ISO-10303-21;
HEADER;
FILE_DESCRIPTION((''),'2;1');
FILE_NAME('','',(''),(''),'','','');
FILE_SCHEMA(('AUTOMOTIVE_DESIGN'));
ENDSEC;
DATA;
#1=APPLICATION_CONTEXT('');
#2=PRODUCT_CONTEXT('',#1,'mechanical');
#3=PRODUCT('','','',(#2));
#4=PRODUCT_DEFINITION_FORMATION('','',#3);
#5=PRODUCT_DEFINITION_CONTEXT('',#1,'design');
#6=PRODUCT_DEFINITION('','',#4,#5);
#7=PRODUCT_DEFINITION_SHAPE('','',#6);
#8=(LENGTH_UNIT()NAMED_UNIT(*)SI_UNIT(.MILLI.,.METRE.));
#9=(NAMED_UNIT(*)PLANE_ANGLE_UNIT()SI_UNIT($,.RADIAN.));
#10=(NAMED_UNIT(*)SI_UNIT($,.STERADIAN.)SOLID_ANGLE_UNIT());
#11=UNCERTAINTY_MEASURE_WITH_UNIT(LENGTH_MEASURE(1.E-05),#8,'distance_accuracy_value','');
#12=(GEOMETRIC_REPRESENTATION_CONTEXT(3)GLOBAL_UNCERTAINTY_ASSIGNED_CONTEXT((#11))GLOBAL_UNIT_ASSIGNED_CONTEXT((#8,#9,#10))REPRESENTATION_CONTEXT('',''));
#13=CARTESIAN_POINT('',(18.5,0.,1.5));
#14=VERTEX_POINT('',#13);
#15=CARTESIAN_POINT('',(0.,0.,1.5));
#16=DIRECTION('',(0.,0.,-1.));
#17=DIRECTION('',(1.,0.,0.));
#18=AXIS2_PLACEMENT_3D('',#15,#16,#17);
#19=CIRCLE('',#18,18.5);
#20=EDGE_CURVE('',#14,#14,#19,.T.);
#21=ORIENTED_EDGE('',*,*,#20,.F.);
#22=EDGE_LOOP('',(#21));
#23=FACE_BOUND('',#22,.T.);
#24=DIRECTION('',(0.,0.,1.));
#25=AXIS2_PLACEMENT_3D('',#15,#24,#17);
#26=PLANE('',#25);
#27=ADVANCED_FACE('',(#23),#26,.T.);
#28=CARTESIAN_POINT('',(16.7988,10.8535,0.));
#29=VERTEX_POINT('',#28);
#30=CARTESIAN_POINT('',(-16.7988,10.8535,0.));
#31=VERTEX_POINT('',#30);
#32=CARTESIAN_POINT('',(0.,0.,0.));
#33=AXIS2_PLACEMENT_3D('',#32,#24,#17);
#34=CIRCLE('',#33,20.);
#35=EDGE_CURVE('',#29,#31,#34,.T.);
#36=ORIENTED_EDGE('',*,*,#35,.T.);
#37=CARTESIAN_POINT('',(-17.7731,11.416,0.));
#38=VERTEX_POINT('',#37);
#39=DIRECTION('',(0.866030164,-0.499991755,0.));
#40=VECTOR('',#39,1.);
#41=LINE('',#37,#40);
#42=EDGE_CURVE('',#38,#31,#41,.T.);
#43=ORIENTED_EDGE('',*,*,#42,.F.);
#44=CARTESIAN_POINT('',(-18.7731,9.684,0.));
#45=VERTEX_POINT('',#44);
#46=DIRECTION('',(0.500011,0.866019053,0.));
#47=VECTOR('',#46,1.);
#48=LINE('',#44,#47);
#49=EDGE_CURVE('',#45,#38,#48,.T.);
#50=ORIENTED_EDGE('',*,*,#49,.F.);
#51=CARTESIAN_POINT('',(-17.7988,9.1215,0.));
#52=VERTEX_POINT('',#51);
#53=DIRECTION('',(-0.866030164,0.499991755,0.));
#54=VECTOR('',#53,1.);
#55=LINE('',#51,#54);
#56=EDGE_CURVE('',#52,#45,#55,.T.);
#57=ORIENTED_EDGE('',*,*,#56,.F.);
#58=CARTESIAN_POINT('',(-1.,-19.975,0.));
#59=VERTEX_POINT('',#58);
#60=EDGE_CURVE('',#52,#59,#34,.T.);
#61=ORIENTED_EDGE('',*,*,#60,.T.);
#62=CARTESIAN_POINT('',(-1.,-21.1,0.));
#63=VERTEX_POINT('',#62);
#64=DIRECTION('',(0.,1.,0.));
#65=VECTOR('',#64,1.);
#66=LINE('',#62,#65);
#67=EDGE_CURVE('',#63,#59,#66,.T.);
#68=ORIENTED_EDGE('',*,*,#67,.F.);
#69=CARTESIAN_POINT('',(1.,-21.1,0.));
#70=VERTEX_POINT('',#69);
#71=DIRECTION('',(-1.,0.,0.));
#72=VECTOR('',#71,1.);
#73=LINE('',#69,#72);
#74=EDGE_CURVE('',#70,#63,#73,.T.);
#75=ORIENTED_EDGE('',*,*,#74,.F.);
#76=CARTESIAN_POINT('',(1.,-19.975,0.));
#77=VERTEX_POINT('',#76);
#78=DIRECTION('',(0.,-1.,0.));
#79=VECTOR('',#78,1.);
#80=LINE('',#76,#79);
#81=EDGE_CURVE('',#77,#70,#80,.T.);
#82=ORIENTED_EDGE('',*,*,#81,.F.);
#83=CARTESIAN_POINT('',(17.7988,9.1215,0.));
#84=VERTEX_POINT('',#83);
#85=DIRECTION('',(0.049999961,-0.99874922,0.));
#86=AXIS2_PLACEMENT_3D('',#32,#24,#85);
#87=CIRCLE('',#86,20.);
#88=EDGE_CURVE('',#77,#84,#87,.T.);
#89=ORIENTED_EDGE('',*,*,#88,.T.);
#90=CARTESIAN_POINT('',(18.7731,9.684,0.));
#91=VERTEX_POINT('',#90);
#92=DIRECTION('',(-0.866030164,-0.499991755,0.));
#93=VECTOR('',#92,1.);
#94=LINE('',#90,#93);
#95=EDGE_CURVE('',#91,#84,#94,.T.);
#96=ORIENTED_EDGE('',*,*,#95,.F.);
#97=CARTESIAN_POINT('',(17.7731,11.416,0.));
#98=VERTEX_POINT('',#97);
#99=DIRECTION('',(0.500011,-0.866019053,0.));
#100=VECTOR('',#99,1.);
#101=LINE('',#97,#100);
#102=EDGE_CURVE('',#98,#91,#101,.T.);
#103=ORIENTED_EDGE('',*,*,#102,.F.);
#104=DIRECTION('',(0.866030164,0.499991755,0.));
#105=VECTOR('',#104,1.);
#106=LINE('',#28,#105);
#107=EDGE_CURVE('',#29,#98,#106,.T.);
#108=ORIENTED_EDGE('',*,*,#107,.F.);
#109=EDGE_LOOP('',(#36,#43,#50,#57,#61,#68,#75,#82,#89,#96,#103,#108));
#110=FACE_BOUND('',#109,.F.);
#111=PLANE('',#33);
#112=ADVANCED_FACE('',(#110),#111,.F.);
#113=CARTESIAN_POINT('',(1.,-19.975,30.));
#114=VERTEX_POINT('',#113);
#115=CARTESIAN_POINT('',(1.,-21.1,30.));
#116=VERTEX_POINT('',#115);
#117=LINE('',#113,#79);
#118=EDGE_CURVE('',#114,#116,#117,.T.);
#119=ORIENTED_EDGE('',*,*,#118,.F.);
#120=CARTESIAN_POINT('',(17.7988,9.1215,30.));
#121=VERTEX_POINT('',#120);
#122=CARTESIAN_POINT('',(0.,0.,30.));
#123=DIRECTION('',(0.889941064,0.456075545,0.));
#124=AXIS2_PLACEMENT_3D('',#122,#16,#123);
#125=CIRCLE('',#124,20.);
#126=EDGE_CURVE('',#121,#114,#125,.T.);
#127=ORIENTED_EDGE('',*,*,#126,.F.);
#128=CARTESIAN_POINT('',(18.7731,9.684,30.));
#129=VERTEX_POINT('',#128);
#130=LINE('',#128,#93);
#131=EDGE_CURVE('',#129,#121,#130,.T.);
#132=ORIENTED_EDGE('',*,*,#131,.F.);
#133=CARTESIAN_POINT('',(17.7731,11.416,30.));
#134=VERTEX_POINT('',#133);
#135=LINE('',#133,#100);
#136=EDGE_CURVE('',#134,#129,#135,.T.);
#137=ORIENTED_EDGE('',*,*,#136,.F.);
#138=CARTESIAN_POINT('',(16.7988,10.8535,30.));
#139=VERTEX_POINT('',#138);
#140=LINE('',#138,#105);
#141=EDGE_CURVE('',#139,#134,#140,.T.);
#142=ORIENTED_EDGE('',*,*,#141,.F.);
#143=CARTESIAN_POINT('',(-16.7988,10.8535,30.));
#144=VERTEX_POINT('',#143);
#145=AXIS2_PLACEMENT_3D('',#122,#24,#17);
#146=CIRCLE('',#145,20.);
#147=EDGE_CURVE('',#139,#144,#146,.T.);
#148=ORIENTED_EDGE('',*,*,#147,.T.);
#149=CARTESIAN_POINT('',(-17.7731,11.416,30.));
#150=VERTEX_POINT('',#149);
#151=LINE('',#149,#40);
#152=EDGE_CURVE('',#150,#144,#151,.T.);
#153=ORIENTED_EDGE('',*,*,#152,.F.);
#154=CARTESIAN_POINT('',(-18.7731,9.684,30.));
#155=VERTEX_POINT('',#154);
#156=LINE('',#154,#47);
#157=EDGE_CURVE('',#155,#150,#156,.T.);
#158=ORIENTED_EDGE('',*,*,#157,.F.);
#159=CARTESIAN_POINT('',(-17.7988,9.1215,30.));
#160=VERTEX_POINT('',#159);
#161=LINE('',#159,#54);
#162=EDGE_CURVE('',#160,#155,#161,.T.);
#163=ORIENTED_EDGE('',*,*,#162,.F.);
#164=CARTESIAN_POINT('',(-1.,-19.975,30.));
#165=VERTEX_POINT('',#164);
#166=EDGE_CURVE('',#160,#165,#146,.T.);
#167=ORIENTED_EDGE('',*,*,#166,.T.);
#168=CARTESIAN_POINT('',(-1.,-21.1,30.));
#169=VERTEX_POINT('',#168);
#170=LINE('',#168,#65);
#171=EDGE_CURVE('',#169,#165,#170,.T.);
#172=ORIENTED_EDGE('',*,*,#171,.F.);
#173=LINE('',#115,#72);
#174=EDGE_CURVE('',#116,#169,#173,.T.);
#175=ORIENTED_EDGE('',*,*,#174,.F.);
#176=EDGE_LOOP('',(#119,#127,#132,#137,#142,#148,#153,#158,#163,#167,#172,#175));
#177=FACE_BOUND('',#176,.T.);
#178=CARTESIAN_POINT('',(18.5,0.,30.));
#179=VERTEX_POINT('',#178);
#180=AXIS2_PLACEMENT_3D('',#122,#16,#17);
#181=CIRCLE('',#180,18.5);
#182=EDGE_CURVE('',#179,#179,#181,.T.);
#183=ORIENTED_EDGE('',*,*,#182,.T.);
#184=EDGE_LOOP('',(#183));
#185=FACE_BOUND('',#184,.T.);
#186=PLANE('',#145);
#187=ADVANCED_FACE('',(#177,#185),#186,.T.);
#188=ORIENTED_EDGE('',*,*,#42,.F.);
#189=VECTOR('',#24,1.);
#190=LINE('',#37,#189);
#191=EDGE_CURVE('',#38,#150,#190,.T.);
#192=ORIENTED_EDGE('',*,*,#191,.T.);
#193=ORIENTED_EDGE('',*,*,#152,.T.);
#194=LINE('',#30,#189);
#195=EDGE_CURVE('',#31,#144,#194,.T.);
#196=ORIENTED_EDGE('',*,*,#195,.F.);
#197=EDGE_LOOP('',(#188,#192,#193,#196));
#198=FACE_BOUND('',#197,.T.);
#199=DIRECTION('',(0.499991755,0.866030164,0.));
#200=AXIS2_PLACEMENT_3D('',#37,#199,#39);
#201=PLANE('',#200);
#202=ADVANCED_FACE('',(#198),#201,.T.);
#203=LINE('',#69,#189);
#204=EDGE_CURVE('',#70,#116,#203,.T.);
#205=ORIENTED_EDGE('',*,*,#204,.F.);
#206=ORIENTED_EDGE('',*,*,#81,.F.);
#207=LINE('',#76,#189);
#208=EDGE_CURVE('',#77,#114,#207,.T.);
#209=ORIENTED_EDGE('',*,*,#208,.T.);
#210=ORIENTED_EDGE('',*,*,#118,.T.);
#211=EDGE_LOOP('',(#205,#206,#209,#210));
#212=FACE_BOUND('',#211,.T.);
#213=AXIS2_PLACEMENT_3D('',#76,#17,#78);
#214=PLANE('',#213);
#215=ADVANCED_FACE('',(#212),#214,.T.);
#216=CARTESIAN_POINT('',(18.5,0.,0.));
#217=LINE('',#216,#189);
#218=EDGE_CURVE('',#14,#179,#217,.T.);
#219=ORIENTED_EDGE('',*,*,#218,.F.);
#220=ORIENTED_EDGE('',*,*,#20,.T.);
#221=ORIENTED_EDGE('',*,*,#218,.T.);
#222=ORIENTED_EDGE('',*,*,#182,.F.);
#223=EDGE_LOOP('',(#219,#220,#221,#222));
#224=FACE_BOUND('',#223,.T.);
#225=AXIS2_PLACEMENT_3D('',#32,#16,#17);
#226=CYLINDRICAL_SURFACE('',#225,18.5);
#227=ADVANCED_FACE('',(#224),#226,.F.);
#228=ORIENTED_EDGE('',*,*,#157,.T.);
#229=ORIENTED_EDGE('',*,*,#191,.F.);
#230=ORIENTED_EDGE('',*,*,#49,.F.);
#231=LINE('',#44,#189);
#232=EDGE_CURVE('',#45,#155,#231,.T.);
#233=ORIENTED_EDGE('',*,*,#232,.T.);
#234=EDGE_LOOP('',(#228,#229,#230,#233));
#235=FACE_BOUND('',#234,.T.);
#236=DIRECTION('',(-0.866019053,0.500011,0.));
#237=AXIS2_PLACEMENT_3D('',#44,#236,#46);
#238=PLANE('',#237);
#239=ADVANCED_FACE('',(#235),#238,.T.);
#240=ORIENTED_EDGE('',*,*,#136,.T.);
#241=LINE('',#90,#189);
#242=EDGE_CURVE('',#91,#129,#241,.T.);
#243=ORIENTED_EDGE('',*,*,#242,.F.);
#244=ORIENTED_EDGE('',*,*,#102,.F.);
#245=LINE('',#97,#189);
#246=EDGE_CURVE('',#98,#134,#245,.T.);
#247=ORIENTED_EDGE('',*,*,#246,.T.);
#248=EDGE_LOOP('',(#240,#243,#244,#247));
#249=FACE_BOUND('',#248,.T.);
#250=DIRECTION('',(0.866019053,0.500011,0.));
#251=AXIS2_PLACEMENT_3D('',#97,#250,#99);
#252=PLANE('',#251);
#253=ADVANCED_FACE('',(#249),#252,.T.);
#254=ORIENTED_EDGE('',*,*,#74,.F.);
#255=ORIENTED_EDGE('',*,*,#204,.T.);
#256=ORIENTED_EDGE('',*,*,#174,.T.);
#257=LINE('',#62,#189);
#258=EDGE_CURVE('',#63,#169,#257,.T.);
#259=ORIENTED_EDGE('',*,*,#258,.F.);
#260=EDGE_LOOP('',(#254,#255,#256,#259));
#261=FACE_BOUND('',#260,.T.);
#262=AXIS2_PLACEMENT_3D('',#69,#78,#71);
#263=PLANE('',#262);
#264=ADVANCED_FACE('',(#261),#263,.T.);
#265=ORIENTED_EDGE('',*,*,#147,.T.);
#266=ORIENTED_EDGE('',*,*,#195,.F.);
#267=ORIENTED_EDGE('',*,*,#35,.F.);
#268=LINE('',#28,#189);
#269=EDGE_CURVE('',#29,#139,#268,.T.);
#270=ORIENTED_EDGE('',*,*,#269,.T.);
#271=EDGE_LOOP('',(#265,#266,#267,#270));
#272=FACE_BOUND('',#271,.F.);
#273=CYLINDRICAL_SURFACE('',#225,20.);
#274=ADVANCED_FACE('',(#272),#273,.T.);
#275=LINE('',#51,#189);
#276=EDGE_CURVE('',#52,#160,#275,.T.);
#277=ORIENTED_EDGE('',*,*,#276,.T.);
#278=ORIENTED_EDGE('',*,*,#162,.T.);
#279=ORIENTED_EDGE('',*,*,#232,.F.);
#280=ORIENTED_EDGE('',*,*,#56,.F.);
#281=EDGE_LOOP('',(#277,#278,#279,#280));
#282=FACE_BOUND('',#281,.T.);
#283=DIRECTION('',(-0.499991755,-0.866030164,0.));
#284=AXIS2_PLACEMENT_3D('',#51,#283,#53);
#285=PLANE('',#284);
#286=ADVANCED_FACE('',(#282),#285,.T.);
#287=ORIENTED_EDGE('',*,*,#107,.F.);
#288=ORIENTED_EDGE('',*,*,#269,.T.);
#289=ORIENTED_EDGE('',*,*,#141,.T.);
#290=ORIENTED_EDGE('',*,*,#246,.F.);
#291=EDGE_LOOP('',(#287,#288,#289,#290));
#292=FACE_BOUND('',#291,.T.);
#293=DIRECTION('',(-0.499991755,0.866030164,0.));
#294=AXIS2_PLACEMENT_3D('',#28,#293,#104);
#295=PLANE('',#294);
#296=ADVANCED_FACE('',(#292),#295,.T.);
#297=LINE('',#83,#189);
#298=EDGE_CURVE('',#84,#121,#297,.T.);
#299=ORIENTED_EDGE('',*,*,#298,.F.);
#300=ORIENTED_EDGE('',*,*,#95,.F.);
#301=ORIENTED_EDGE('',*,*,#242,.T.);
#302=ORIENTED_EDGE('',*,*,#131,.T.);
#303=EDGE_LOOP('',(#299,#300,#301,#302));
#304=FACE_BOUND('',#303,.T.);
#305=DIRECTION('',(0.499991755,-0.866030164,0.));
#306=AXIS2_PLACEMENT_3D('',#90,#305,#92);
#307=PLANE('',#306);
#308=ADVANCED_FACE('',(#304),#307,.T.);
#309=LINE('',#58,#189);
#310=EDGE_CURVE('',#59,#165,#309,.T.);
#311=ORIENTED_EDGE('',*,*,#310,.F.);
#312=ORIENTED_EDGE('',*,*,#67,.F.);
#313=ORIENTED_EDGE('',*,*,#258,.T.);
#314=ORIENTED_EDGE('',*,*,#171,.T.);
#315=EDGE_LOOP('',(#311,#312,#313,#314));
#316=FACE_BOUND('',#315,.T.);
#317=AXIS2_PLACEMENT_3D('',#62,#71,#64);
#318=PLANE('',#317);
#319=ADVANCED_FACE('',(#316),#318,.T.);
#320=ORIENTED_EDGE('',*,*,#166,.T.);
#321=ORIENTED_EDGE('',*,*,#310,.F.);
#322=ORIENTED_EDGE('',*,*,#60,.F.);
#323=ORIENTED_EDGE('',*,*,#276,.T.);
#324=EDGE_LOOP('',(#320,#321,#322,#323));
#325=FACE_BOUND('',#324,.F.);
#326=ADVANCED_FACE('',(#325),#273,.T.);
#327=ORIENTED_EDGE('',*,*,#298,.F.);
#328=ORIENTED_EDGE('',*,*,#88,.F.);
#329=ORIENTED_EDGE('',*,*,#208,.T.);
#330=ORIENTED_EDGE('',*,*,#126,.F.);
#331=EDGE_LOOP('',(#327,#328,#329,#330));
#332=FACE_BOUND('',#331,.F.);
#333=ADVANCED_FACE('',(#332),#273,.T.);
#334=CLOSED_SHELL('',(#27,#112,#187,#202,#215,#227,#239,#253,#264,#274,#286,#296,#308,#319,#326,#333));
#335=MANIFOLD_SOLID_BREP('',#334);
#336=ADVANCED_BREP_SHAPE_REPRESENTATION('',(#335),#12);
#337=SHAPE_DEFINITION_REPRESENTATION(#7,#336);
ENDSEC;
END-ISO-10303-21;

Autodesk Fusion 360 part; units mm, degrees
sketch "Sketch1" plane through (0, 0, 0) normal (0, 0, 1) x (1, 0, 0)
  circle A0 centre (0, 0) radius 20
  line L0 (1, -19.975) -> (1, -21.1)
  line L1 (1, -21.1) -> (-1, -21.1)
  line L2 (-1, -21.1) -> (-1, -19.975)
  line L3 (18.7731, 9.684) -> (17.7988, 9.1215)
  line L4 (17.7731, 11.416) -> (18.7731, 9.684)
  line L5 (16.7988, 10.8535) -> (17.7731, 11.416)
  line L6 (-17.7731, 11.416) -> (-16.7988, 10.8535)
  line L7 (-18.7731, 9.684) -> (-17.7731, 11.416)
  line L8 (-17.7988, 9.1215) -> (-18.7731, 9.684)
  dimension "d5" = 40
  dimension "d9" = 2
  dimension "d12" = 360
extrude "Extrude2" add sketch "Sketch1" along normal blind 30 contours A0
shell "Shell2" thickness 1.5 removed faces 1 at (-4.9181, 4.3771, 30)
extrude "Extrude3" add sketch "Sketch1" along normal up to surface (30 mm away) contours A0 L3 L4 L5 | A0 L0 L1 L2 | A0 L6 L7 L8
